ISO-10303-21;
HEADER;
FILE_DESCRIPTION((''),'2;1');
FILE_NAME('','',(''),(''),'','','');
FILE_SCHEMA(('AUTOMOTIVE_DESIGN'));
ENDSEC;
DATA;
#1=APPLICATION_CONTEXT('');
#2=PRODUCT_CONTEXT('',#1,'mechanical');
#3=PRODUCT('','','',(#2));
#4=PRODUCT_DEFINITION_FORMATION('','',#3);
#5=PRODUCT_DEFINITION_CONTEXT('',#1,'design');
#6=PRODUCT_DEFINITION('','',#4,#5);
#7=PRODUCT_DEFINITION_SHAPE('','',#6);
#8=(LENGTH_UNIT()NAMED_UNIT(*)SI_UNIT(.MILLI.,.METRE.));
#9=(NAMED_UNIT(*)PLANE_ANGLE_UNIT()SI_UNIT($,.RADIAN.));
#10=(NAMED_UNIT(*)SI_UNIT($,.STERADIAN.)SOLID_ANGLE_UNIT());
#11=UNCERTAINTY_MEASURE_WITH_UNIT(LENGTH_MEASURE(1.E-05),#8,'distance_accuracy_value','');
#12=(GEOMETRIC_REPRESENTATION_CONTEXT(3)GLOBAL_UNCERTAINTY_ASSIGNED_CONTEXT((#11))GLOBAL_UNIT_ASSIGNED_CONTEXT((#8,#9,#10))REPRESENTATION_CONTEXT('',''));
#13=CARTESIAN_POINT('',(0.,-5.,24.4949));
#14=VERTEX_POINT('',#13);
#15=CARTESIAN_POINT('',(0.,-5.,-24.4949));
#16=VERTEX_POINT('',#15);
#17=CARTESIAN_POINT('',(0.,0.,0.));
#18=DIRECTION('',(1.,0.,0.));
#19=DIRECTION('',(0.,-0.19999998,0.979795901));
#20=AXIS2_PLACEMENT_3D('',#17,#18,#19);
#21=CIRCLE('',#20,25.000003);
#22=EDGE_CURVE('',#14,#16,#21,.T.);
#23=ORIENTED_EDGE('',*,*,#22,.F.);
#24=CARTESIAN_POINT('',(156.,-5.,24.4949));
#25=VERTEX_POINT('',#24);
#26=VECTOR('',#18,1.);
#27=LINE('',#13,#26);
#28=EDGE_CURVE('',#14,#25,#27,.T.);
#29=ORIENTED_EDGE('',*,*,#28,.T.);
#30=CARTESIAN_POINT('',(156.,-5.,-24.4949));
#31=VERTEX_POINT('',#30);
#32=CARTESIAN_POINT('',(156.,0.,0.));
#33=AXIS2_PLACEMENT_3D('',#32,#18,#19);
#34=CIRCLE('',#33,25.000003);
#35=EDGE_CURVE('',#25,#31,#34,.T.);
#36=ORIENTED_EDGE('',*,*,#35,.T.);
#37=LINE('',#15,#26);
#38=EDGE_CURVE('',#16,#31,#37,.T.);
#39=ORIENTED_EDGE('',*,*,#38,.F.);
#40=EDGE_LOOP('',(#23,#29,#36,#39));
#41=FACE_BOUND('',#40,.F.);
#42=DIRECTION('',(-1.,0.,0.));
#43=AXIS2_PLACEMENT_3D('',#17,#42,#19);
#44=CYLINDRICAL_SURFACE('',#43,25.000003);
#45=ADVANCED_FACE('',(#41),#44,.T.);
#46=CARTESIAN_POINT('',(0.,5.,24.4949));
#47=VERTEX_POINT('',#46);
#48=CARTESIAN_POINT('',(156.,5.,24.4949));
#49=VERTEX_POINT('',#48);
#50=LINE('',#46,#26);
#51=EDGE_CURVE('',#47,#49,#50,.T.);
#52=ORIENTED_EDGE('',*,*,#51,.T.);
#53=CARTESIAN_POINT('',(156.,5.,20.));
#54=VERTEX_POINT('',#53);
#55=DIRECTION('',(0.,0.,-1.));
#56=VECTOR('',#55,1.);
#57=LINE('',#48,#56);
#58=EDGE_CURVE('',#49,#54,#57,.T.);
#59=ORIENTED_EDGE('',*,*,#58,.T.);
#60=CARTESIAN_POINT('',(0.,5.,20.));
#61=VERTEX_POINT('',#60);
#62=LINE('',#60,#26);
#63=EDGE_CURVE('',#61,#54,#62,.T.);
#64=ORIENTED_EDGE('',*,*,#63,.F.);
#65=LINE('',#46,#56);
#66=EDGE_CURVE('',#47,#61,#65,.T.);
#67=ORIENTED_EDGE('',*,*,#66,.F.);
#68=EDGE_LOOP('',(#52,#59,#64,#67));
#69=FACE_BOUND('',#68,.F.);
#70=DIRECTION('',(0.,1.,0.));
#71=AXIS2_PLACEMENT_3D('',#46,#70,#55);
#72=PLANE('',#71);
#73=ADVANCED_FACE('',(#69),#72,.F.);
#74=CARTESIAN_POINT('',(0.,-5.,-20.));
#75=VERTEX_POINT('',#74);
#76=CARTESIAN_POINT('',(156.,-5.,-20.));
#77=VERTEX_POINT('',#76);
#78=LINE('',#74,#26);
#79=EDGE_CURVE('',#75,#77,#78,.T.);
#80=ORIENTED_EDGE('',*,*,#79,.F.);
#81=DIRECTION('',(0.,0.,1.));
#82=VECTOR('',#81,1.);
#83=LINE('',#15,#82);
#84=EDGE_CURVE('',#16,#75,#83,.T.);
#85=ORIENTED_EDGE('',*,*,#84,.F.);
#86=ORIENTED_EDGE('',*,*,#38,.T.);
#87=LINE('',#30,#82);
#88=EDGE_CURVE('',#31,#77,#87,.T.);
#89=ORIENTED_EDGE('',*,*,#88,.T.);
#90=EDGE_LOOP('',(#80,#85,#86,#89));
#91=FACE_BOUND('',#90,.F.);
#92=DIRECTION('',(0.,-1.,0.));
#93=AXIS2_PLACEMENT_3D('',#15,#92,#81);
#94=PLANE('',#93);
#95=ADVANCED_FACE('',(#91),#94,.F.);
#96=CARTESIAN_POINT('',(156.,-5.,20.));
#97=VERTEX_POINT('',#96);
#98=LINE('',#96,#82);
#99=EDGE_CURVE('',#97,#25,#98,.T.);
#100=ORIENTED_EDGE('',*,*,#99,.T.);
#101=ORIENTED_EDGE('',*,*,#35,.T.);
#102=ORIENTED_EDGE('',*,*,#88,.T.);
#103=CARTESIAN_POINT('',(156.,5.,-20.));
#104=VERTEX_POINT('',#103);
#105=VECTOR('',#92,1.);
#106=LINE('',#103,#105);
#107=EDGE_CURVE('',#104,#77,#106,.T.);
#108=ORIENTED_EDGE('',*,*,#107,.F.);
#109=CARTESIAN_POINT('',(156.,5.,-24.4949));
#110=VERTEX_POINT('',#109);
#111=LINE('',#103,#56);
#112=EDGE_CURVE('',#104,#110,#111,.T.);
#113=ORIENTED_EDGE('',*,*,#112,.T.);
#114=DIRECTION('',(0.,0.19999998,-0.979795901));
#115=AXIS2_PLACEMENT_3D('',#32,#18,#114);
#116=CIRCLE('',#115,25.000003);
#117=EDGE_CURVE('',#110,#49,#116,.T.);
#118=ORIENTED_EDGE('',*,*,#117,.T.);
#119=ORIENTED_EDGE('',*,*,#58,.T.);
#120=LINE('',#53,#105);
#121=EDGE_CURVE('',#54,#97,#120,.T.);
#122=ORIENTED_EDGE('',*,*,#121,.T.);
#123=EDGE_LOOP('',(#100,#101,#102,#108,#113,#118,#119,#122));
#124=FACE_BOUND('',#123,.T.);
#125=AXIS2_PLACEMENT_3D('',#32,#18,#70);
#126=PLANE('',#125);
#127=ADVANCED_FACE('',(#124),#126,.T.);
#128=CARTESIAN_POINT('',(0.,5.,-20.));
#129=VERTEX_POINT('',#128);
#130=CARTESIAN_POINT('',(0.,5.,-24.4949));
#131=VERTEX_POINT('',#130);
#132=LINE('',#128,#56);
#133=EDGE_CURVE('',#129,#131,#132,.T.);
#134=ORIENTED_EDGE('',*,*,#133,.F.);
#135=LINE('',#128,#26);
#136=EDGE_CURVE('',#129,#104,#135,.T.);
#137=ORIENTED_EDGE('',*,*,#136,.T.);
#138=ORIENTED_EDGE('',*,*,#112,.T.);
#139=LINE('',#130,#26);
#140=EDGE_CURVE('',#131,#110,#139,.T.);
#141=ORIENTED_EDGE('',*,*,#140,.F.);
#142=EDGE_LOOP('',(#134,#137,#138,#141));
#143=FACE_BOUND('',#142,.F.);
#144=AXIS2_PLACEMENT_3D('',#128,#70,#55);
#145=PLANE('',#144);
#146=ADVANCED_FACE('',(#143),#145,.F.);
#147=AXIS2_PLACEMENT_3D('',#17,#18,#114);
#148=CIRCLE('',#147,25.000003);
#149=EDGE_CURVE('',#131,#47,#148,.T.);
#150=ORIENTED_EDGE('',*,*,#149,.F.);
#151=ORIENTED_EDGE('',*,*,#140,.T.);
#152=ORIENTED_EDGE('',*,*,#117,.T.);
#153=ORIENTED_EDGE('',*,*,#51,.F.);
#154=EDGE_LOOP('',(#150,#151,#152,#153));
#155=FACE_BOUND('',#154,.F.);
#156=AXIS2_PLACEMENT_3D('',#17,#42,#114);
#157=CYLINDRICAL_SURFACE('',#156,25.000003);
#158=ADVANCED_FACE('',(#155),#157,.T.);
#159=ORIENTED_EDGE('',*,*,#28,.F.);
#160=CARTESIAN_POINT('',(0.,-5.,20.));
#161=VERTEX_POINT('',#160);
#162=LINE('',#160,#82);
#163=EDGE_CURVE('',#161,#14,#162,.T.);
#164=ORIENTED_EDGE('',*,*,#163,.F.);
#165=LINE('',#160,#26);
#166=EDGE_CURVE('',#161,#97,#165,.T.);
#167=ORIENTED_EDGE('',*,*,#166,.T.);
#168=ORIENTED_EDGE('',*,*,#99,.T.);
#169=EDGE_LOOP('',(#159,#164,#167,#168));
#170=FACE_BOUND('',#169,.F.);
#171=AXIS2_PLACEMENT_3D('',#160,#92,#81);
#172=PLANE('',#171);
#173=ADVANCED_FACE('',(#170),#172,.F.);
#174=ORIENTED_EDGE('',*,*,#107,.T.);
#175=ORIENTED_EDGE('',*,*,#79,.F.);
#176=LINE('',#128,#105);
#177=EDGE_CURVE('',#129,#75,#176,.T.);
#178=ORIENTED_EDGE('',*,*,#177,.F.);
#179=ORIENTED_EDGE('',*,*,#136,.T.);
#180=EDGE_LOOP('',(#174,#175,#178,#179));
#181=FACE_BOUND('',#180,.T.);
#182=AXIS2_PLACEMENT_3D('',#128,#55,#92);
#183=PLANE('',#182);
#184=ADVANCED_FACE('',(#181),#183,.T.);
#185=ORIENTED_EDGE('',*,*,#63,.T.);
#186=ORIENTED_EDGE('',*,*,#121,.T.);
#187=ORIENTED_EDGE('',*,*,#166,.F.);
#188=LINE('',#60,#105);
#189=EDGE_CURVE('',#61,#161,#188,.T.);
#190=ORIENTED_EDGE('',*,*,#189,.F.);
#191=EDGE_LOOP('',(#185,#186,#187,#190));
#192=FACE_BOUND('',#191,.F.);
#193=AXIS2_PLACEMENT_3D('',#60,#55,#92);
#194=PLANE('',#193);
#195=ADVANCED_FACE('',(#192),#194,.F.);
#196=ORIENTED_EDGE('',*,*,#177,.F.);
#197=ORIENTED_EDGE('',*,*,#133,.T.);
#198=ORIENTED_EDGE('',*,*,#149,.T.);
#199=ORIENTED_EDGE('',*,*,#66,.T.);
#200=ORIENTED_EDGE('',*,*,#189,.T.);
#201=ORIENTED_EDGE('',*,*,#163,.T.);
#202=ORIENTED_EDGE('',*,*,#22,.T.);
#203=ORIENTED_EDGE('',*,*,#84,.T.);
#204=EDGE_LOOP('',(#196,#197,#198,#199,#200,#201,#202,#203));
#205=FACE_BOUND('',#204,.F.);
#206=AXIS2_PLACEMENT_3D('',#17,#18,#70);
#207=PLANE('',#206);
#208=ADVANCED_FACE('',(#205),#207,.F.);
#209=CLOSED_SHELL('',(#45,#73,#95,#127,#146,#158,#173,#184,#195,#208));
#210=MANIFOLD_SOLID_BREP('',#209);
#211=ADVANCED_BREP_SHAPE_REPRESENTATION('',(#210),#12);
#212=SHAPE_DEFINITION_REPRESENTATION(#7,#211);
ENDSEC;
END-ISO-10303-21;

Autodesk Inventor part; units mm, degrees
ref_plane "YZ Plane" through (0, 0, 0) normal (1, 0, 0) x (0, 1, 0)
ref_plane "XZ Plane" through (0, 0, 0) normal (0, 1, 0) x (-1, 0, 0)
ref_plane "XY Plane" through (0, 0, 0) normal (0, 0, 1) x (1, 0, 0)
sketch "Sketch1" plane through (0, 0, 0) normal (1, 0, 0) x (0, 1, 0)
  line L0 (5, 20) -> (-5, 20)
  line L1 (5, -20) -> (-5, -20)
  arc A0 (5, -24.4949) -> (5, 24.4949) centre (0, 0) ccw
  arc A1 (-5, 24.4949) -> (-5, -24.4949) centre (0, 0) ccw
  line L2 (5, 24.4949) -> (5, 20)
  line L3 (5, -20) -> (5, -24.4949)
  line L4 (-5, -24.4949) -> (-5, -20)
  line L5 (-5, 20) -> (-5, 24.4949)
  dimension "d3" = 20
  dimension "d4" = 40
  dimension "d7" = 25
  dimension "d8" = 25
  dimension "d9" = 10
extrude "Extrusion1" add sketch "Sketch1" along normal blind 156
properties part number "SpinnerAxelV1"
